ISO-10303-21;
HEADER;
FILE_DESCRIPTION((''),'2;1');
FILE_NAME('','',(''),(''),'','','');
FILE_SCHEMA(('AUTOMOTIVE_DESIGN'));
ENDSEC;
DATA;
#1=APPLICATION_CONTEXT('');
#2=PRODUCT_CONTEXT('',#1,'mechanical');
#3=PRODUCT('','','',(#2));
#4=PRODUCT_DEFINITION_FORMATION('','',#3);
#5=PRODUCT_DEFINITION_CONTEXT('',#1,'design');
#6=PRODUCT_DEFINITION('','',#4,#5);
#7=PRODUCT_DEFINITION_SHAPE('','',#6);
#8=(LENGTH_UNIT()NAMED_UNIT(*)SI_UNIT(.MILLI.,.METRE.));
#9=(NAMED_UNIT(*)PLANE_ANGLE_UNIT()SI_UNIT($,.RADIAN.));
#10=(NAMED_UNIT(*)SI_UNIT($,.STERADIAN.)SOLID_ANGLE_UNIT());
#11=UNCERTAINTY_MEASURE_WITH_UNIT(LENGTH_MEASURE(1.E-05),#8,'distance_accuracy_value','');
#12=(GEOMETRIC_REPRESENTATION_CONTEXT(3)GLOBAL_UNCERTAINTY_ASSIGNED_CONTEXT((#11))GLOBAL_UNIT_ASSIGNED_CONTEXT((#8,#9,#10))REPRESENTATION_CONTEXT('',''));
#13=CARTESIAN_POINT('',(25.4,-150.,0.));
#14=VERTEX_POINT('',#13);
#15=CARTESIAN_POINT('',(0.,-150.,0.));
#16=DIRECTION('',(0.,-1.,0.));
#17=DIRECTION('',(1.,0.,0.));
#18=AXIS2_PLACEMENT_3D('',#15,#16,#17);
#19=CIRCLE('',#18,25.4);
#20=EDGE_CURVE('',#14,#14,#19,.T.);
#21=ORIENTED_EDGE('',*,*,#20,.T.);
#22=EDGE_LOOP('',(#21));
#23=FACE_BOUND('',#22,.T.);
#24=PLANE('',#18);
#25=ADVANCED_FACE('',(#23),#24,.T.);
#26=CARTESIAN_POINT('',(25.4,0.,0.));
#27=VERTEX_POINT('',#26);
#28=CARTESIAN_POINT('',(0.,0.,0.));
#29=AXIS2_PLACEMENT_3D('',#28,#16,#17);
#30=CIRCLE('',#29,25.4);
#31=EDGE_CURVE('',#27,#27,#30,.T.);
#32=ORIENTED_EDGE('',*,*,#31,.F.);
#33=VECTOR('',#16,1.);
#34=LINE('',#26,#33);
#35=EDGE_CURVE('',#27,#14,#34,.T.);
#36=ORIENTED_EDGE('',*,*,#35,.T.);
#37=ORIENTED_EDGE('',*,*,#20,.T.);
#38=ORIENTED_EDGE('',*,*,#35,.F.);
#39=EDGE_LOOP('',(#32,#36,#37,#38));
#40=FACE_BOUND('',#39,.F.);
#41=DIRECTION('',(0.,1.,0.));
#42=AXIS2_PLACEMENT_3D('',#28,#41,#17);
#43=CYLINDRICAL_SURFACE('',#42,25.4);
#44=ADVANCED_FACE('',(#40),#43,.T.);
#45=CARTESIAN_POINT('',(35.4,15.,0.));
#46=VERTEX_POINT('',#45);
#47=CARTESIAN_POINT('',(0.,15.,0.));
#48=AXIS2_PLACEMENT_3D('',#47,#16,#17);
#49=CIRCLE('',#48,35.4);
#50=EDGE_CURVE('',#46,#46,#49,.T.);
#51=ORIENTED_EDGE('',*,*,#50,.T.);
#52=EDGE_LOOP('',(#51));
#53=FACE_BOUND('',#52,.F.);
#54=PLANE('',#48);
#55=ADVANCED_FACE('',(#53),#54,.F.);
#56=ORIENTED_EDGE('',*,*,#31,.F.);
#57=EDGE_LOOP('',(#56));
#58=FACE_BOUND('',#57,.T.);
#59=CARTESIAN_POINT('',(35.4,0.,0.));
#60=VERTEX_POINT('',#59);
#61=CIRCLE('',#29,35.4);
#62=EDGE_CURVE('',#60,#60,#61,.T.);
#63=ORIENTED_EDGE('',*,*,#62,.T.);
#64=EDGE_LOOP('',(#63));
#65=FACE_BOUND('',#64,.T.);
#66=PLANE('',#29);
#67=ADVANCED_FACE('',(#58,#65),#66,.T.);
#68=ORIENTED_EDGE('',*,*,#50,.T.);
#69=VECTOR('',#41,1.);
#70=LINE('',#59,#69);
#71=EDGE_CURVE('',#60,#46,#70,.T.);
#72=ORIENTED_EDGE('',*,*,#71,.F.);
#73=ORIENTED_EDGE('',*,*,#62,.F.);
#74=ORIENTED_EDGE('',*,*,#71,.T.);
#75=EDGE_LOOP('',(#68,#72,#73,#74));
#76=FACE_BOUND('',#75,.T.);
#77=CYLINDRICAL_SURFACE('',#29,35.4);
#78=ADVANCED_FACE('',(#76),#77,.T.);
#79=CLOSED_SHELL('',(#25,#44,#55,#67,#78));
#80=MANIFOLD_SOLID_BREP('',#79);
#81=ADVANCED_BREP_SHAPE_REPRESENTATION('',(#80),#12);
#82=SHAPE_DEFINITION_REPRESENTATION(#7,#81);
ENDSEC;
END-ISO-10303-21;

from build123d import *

# Parameters (mm, degrees)
F0_R     = 25.4
F1_DEPTH = 150
F2_R     = 35.4
F3_DEPTH = 15


with BuildPart() as f1:
    # F0 (on Front) → F1 (new body)
    with BuildSketch(Plane.XZ):
        Circle(F0_R)
    extrude(amount=F1_DEPTH)

    # F2 (on Front) → F3 (join)
    with BuildSketch(Plane.XZ):
        Circle(F2_R)
    extrude(amount=-F3_DEPTH)


solid = f1.part
